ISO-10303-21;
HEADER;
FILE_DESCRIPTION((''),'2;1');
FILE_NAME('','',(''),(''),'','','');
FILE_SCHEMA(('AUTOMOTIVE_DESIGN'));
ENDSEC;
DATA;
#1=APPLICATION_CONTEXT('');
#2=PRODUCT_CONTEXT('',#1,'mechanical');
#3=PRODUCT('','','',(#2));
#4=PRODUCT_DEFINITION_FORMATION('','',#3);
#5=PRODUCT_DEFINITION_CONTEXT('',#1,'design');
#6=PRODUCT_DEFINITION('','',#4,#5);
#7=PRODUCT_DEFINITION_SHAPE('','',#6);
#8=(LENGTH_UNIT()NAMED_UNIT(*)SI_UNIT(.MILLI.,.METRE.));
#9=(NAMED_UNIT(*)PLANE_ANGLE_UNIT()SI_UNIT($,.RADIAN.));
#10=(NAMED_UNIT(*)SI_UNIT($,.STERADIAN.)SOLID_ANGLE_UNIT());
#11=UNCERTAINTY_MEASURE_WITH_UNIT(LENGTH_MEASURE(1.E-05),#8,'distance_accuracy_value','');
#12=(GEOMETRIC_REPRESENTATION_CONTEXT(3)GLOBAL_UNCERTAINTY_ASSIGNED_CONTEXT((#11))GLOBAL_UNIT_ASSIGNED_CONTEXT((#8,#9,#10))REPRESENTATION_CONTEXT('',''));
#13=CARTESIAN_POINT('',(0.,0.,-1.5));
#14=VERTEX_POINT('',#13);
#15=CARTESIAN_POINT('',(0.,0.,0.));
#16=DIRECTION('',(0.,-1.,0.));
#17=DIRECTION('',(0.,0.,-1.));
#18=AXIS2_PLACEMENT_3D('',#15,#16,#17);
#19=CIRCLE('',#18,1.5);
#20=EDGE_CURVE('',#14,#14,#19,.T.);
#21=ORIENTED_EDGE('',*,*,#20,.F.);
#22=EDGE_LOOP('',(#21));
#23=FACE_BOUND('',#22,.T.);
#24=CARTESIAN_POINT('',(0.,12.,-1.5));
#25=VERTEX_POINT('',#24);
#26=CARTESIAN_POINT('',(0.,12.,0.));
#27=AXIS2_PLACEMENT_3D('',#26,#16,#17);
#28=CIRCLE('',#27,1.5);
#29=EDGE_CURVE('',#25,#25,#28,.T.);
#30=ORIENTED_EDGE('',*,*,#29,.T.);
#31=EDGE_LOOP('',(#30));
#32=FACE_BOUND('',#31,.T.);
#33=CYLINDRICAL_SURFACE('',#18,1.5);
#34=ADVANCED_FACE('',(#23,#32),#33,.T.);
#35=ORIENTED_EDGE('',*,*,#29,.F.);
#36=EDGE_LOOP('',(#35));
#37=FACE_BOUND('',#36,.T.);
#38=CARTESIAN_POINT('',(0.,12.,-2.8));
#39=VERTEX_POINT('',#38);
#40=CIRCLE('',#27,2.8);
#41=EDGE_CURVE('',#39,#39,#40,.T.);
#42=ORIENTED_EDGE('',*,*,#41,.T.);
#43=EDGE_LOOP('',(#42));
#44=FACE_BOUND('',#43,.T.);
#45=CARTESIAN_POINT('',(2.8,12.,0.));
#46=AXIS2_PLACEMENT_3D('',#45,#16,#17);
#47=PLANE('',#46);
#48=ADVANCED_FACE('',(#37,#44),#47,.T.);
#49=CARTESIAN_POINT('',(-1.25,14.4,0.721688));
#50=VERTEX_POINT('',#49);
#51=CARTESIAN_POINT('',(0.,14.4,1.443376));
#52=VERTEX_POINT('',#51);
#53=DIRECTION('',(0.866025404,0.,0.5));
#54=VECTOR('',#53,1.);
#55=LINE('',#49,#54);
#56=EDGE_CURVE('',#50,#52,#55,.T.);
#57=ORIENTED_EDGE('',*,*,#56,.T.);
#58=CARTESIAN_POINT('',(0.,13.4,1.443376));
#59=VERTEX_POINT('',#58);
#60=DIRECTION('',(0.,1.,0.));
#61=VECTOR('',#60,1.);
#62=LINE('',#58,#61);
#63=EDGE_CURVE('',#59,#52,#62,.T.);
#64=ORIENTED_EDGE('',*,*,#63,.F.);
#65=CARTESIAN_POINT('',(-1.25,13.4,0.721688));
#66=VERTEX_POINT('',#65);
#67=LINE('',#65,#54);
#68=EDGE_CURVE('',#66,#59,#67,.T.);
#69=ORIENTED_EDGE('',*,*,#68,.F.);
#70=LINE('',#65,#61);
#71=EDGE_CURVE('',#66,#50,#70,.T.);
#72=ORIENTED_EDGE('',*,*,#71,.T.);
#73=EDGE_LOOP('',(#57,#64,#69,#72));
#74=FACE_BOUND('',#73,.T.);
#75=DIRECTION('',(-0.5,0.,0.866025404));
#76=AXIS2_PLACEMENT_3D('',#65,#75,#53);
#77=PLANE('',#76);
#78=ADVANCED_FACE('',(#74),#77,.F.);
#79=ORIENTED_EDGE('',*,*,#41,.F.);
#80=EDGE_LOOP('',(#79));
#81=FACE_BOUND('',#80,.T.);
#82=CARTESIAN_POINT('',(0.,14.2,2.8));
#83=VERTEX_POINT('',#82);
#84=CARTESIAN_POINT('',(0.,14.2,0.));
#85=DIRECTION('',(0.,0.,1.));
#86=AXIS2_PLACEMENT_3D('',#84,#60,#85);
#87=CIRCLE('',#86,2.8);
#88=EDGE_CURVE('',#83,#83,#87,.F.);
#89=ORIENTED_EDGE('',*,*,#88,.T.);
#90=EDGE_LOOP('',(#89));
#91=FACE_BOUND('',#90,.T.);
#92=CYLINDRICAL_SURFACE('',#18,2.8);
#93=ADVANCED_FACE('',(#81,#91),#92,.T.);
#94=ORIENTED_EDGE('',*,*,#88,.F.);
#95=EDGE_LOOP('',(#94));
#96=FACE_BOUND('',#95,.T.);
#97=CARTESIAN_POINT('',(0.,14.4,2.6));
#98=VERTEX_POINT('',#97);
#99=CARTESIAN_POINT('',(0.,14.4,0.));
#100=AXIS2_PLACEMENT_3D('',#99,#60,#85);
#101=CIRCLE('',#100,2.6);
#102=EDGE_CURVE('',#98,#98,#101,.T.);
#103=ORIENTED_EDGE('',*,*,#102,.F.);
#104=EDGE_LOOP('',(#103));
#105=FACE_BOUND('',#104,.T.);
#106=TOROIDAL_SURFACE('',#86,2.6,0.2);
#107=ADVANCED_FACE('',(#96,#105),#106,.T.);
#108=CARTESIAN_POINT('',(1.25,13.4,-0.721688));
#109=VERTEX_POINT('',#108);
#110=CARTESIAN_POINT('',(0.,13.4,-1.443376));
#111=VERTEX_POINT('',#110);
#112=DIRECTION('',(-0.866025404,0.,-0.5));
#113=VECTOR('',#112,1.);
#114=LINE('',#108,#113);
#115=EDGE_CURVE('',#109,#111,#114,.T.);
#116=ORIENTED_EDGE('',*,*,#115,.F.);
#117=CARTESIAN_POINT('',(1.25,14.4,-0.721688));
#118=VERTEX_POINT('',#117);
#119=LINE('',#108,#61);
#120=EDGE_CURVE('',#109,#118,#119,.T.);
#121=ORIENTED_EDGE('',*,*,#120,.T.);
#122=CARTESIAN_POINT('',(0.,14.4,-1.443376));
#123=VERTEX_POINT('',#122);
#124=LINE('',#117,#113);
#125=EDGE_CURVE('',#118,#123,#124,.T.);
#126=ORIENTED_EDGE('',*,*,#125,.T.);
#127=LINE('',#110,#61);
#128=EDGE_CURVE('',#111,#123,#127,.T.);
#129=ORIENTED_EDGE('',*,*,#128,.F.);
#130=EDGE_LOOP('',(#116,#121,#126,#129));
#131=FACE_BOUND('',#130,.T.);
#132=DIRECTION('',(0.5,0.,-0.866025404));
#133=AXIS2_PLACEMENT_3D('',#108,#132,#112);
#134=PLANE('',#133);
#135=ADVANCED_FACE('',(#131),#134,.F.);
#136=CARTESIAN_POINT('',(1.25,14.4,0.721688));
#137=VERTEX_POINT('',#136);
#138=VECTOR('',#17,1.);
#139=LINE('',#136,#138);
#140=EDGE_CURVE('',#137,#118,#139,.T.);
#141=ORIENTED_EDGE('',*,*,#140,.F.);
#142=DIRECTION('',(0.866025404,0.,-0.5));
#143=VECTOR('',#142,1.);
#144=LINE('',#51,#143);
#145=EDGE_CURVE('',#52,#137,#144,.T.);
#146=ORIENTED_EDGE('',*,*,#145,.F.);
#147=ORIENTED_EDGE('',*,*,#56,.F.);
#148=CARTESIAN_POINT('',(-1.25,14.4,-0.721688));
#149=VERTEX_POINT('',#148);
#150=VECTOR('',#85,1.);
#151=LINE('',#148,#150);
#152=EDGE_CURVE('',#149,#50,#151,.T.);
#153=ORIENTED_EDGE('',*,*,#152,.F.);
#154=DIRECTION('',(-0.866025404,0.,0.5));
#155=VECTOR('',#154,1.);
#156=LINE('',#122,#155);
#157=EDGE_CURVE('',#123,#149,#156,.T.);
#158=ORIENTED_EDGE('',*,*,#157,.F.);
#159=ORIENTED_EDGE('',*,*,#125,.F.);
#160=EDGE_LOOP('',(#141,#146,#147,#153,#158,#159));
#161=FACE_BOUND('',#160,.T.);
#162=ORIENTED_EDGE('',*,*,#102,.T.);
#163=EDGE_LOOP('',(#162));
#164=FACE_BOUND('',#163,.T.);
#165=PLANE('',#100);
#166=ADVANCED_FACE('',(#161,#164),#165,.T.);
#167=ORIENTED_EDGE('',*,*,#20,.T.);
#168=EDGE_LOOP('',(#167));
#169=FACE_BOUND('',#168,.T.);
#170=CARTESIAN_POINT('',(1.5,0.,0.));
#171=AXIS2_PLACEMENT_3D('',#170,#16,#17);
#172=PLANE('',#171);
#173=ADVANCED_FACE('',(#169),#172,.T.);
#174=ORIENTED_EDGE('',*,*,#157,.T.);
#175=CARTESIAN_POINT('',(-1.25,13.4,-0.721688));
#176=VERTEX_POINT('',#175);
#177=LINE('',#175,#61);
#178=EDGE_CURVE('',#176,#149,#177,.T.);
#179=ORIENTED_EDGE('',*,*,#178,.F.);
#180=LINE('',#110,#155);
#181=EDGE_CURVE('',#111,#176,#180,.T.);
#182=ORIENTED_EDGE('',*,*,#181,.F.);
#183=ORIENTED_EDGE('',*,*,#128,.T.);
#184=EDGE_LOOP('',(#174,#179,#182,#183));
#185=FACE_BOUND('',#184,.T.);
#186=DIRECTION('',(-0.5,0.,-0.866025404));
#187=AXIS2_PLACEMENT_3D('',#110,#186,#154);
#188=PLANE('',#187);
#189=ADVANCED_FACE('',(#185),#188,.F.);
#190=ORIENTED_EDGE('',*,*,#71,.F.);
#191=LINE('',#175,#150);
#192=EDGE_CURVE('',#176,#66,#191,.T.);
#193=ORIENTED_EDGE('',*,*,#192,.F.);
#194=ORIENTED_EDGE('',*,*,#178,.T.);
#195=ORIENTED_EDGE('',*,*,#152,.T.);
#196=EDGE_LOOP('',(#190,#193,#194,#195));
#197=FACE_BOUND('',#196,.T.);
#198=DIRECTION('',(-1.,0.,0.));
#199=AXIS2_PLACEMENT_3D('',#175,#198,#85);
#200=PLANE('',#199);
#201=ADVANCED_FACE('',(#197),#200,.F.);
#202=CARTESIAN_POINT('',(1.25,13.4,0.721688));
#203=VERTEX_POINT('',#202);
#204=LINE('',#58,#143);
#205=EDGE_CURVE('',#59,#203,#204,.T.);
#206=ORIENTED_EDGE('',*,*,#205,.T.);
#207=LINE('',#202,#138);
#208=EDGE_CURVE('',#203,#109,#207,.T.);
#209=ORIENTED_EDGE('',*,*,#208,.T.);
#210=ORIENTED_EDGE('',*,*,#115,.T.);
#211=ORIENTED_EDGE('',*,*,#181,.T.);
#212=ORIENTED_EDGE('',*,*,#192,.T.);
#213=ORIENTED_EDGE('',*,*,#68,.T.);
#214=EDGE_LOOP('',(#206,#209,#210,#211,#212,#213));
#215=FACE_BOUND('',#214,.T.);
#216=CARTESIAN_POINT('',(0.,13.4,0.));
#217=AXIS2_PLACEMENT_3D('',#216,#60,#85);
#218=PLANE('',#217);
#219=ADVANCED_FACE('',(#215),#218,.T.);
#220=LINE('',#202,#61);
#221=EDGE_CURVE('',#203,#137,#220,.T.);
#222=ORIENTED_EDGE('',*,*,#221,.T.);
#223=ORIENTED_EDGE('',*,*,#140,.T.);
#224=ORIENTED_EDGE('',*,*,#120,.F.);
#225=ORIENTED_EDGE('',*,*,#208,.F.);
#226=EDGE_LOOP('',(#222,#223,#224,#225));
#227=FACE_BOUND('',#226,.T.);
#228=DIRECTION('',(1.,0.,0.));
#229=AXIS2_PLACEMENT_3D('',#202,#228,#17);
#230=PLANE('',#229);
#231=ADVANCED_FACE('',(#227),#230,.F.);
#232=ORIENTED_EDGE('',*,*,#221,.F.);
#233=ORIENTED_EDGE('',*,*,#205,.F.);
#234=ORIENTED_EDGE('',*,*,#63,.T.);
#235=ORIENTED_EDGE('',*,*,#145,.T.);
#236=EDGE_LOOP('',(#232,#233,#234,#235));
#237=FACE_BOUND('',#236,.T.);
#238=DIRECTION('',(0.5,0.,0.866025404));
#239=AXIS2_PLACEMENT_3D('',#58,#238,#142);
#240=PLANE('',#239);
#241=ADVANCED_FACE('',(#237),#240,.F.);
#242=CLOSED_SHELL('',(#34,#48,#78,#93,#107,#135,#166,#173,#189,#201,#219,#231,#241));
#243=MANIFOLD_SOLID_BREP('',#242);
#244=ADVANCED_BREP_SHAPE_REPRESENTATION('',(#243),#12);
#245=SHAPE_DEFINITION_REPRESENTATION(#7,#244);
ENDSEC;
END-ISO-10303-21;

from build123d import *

# Parameters (mm, degrees)
CUT_EXTRUDE1_DEPTH = 1
FILLET1_R          = 0.2


with BuildPart() as part:
    # Sketch1 → Revolve1 (revolve)
    with BuildSketch(Plane.XY, mode=Mode.PRIVATE) as revolve1_sk:
        Polygon((0, 0), (0, 14.4), (2.8, 14.4), (2.8, 12), (1.5, 12), (1.5, 0), align=None)
    revolve(revolve1_sk.sketch.rotate(Axis((0, 0, 0), (0, 1, 0)), 90), axis=Axis((0, 0, 0), (0, 1, 0)))

    # Sketch2 → Cut-Extrude1 (cut)
    with BuildSketch(Plane(origin=(0, 14.4, 0), x_dir=(1, 0, 0), z_dir=(0, 1, 0))):
        Polygon((0, -1.443375673), (1.25, -0.721687836), (1.25, 0.721687836), (0, 1.443375673), (-1.25, 0.721687836), (-1.25, -0.721687836), align=None)
    extrude(amount=-CUT_EXTRUDE1_DEPTH, mode=Mode.SUBTRACT)

    # Fillet1
    fillet1_edges = [part.edges().sort_by_distance(p)[0] for p in [
        (0, 14.4, 2.8),
    ]]
    fillet(fillet1_edges, radius=FILLET1_R)


solid = part.part
